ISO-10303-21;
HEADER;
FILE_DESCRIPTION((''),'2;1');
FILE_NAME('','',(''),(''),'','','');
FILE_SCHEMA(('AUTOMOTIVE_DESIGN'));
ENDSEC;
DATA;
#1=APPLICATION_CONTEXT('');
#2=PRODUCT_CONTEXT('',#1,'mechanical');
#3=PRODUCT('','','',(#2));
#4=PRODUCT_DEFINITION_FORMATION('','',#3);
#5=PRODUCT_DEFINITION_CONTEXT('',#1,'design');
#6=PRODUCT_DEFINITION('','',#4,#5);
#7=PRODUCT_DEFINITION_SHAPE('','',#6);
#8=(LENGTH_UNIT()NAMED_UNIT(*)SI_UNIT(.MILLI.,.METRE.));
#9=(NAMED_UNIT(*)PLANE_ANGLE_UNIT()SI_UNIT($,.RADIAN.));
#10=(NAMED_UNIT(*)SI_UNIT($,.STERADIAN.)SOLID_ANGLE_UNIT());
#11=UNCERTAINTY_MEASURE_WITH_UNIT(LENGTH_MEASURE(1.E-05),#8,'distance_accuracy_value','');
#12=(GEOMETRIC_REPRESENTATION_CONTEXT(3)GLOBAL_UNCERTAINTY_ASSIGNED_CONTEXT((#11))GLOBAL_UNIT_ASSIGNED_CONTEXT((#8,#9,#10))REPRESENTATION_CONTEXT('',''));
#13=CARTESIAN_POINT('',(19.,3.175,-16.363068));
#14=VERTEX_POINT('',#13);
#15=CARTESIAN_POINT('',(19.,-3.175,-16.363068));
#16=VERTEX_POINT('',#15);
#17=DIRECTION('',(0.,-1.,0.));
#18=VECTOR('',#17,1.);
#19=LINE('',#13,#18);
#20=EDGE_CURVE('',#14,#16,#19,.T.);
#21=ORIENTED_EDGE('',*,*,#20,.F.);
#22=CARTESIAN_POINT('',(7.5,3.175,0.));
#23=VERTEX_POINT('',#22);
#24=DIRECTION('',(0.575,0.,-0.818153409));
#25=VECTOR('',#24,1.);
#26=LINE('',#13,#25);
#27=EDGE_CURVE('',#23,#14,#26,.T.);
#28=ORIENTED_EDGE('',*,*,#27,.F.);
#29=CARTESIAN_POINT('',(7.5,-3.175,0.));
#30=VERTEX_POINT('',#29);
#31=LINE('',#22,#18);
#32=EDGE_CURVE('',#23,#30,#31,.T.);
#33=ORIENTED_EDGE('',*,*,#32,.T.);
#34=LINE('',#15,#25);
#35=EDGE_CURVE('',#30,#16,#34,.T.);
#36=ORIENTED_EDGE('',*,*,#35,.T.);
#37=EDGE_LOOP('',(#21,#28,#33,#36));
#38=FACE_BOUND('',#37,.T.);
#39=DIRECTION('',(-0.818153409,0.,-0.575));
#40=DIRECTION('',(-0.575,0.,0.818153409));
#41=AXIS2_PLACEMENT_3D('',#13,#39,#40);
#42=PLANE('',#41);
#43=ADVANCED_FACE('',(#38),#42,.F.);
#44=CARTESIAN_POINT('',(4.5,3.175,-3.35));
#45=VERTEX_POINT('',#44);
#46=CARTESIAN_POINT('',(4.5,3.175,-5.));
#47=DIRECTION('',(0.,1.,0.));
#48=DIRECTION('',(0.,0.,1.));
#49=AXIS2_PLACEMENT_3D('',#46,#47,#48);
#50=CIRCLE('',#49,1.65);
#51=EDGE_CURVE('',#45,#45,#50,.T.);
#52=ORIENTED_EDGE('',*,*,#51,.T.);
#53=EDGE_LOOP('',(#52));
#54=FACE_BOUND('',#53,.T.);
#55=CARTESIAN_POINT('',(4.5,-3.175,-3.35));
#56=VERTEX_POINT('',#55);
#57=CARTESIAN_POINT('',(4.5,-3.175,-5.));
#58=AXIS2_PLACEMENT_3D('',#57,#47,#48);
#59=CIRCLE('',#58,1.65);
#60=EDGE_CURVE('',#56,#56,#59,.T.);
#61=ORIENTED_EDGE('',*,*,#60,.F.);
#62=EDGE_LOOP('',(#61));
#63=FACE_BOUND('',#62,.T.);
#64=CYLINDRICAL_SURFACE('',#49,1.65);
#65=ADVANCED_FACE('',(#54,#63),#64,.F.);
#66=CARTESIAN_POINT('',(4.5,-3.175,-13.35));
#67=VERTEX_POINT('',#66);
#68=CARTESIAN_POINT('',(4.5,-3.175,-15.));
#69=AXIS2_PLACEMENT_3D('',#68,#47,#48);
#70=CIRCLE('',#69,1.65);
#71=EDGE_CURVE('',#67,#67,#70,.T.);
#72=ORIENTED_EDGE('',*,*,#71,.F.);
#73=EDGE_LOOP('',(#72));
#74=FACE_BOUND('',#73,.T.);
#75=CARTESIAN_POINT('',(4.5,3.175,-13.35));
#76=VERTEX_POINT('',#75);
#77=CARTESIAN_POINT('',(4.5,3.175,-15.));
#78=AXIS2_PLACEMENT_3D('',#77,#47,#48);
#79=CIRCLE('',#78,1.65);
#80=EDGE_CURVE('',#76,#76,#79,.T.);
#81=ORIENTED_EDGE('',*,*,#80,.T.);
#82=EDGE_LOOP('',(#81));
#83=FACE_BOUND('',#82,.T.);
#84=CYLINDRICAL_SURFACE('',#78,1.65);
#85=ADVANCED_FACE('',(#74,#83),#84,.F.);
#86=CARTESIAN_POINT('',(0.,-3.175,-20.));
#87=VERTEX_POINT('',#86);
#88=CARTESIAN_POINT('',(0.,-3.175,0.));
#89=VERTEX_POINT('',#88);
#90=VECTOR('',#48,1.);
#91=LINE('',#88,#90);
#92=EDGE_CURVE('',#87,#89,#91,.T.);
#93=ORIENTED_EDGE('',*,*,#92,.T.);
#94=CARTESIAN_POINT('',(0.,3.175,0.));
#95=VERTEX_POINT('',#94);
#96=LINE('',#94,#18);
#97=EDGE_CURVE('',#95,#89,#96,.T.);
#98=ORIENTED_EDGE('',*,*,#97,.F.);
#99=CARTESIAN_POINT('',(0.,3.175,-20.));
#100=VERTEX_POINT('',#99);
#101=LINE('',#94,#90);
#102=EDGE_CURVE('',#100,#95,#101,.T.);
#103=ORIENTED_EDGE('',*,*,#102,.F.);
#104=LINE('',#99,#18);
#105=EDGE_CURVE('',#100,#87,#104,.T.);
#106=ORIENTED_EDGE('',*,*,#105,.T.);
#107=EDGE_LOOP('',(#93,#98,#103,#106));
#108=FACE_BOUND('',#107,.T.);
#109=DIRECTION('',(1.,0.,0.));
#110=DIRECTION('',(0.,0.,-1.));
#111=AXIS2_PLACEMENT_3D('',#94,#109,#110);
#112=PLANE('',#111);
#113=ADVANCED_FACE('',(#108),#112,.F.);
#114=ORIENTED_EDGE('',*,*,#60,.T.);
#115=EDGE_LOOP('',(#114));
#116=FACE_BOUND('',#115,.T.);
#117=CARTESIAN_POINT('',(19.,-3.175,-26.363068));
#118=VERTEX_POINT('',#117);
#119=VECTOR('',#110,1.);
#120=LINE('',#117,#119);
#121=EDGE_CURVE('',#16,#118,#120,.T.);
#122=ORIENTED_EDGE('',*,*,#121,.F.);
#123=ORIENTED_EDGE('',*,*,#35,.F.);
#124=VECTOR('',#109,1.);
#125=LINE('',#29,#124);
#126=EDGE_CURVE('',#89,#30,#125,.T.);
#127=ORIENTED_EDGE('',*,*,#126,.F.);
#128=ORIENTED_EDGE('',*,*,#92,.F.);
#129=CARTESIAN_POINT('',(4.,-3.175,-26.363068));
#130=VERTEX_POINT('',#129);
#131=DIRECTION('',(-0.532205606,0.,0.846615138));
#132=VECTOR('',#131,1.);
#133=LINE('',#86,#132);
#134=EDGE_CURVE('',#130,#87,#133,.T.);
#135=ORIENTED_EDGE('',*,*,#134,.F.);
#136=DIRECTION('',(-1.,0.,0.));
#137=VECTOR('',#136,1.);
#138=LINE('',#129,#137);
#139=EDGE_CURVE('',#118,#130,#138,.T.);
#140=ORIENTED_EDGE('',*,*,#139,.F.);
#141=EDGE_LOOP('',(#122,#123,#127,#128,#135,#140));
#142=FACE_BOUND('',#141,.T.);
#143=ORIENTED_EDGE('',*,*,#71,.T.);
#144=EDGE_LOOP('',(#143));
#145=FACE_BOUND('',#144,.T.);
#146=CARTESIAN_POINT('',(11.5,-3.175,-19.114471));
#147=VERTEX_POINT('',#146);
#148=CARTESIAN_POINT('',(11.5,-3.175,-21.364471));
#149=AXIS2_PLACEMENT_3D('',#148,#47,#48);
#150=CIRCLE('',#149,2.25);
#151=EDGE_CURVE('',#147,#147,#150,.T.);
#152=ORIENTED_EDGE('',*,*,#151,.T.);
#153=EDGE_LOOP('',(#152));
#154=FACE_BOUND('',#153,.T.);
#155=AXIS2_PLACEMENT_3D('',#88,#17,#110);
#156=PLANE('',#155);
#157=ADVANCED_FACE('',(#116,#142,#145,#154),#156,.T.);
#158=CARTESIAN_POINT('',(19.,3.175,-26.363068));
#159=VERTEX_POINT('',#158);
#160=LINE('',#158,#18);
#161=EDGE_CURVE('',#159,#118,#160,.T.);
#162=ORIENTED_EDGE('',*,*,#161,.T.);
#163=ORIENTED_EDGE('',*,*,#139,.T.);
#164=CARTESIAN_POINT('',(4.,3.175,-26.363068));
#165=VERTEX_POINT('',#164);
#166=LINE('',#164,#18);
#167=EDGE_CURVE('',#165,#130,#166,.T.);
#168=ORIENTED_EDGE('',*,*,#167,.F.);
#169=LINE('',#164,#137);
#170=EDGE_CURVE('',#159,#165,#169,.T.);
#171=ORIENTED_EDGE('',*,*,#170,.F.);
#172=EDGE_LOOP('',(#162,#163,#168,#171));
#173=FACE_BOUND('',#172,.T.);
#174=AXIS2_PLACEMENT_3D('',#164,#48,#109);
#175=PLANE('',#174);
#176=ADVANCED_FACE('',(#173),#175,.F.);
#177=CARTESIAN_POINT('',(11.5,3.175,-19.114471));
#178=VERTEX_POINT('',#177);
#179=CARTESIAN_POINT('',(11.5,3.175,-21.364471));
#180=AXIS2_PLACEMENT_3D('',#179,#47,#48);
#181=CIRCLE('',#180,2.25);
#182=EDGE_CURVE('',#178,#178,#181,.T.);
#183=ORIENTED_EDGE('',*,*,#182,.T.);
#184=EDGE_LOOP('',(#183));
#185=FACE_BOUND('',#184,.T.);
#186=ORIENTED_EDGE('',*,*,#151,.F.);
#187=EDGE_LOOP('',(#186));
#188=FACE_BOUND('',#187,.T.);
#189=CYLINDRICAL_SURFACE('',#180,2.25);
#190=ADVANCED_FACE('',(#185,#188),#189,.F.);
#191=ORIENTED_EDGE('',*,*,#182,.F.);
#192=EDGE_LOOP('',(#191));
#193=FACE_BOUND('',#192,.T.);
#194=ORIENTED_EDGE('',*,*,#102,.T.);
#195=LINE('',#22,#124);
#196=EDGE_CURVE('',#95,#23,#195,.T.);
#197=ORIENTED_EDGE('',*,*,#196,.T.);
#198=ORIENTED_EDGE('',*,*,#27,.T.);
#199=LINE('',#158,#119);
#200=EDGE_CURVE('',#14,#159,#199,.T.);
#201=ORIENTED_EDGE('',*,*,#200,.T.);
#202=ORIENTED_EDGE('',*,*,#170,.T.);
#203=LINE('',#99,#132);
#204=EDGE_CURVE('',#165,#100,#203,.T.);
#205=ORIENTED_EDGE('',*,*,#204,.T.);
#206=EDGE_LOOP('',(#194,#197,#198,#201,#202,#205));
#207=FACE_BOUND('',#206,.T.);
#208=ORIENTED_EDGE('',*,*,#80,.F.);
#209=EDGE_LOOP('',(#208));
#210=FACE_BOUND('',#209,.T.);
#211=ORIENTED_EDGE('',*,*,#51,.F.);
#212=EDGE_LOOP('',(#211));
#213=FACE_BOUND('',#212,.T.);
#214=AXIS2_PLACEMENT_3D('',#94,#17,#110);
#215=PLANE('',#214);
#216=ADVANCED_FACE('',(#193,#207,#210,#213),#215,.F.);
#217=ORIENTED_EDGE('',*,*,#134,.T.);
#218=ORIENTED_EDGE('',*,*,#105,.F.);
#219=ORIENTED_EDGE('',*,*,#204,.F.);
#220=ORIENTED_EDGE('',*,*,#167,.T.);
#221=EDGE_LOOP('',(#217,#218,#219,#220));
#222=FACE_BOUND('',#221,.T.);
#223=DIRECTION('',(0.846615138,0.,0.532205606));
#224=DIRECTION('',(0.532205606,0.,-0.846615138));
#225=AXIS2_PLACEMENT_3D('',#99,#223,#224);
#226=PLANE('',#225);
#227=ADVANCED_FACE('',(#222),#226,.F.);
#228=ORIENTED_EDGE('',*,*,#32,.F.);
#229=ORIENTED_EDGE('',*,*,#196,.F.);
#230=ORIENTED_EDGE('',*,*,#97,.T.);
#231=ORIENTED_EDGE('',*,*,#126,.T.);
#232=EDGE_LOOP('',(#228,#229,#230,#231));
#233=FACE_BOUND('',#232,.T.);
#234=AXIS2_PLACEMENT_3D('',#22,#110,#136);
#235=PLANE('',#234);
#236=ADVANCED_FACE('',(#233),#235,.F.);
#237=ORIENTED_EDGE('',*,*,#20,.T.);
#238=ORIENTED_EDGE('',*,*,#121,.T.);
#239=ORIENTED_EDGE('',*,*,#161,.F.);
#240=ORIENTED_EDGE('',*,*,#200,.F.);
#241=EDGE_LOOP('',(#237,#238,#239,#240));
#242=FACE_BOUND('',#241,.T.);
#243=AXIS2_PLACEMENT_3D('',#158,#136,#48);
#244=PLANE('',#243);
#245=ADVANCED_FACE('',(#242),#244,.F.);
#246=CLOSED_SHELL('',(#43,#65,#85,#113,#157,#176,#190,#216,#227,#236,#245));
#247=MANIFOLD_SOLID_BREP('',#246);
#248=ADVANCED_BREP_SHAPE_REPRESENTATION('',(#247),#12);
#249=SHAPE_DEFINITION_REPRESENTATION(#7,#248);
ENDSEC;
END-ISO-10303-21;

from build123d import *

# Parameters (mm, degrees)
BOSS_EXTRUDE1_DEPTH   = 3.175
M4X0_7_TAPPED_HOLE1_D = 3.3
M4_CLEARANCE_HOLE1_D  = 4.5


with BuildPart() as part:
    # Sketch1 → Boss-Extrude1 (new body, symmetric)
    with BuildSketch(Plane(origin=(0, 0, 0), x_dir=(1, 0, 0), z_dir=(0, 1, 0))):
        Polygon((0, 0), (0, 20), (4, 26.363068172), (19, 26.363068172), (19, 16.363068172), (7.5, 0), align=None)
    extrude(amount=BOSS_EXTRUDE1_DEPTH, both=True)

    # M4x0.7 Tapped Hole1 (through all)
    with Locations(Plane(origin=(0, 3.175, 0), x_dir=(1, 0, 0), z_dir=(0, 1, 0))):
        with Locations((4.499999553, 15), (4.499999553, 5)):
            Hole(M4X0_7_TAPPED_HOLE1_D / 2)

    # M4 Clearance Hole1 (through all)
    with Locations(Plane(origin=(0, 3.175, 0), x_dir=(1, 0, 0), z_dir=(0, 1, 0))):
        with Locations((11.5, 21.364471274)):
            Hole(M4_CLEARANCE_HOLE1_D / 2)


solid = part.part
